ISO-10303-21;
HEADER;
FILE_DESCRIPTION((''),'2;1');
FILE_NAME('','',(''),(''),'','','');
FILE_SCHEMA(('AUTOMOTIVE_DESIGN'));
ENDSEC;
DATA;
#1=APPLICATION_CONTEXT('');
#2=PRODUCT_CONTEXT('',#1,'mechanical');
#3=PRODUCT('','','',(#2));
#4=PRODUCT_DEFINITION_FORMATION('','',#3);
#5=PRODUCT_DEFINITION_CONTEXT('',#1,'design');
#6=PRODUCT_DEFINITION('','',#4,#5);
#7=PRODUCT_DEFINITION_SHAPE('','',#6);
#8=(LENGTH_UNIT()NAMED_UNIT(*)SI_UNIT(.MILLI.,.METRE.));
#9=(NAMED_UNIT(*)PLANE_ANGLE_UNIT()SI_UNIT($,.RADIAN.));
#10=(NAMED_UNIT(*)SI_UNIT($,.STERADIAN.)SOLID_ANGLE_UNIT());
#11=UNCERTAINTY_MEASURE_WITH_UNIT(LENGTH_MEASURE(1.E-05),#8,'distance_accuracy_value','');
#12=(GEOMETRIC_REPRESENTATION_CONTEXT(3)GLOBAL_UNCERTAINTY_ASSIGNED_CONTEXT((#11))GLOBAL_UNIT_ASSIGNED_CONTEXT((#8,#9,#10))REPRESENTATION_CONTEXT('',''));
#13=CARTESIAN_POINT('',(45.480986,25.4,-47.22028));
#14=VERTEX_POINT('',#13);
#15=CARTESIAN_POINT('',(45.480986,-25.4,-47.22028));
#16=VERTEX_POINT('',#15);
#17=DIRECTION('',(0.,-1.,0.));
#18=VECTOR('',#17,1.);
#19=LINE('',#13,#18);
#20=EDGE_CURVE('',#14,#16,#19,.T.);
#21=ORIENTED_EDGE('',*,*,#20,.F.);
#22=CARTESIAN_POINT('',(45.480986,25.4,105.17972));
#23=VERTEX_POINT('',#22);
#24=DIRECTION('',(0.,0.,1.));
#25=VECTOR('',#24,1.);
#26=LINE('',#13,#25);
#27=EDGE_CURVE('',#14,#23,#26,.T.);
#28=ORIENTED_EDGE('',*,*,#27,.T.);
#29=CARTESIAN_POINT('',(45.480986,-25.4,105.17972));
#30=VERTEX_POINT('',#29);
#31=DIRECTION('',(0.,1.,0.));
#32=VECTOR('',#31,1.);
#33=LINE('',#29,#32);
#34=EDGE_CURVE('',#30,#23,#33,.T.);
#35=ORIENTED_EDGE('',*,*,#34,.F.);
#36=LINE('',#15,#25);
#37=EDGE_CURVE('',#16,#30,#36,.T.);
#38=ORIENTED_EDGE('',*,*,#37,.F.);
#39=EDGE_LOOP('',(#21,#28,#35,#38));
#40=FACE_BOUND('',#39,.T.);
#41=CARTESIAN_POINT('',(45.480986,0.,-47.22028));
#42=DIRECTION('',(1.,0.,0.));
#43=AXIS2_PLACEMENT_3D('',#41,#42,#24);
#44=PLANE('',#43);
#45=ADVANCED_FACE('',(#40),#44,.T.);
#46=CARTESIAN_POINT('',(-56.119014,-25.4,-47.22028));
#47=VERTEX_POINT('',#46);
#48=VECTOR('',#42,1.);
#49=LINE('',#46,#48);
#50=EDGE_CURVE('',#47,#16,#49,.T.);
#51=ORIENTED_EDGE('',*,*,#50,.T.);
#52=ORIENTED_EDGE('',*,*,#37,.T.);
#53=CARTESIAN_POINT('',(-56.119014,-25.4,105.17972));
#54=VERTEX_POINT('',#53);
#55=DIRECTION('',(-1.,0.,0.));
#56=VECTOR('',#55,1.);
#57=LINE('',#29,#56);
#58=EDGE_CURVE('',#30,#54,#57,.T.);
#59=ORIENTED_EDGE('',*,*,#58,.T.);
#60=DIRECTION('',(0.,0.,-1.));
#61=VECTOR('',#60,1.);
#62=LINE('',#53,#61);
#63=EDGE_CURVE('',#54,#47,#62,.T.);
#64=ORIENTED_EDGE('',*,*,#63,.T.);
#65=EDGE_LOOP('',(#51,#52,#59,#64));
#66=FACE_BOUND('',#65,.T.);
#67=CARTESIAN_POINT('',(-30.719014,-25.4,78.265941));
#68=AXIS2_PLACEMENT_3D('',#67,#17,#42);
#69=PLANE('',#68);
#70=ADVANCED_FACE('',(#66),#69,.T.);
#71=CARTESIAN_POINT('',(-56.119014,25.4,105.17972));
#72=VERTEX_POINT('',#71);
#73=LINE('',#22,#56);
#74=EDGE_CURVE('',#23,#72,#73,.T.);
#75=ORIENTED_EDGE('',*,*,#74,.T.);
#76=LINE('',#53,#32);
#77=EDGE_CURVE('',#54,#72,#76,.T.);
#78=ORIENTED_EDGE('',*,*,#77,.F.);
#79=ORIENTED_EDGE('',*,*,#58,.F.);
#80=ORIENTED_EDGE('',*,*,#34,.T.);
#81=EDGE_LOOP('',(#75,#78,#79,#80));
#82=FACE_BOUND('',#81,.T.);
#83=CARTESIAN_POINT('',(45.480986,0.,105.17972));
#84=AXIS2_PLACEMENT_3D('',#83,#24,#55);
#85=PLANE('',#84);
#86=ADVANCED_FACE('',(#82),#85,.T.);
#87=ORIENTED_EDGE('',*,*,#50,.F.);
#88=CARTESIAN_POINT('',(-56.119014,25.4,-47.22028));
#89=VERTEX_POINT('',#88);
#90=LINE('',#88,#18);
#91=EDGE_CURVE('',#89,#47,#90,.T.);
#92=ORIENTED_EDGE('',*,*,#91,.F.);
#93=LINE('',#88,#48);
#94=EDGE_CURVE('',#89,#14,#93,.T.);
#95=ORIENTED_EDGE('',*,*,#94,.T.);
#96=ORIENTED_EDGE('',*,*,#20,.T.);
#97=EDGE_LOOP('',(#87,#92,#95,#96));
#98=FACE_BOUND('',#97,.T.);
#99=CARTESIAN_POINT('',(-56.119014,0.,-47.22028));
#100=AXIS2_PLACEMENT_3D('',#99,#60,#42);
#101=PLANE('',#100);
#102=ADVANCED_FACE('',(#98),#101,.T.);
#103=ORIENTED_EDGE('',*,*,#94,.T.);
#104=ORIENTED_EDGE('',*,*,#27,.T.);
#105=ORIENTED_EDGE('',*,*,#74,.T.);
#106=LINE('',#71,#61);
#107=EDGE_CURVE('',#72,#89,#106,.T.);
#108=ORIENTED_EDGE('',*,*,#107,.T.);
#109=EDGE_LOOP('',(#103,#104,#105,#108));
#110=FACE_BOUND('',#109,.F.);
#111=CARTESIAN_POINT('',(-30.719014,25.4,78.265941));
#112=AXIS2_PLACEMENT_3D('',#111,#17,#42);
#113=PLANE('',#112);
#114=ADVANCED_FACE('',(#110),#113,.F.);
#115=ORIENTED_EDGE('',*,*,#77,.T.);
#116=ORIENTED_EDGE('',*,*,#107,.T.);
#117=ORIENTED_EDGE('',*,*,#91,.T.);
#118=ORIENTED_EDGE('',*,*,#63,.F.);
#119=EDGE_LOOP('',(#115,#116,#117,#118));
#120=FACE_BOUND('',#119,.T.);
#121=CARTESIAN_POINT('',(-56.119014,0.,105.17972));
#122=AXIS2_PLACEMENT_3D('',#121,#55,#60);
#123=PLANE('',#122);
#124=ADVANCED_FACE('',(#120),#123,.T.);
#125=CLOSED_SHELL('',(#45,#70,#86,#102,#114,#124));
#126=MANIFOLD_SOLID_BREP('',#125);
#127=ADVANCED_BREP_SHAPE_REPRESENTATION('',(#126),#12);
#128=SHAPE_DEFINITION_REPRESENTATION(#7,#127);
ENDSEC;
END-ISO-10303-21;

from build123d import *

# Parameters (mm, degrees)
F0_W     = 50.8
F0_H     = 53.8275577128
F0_H_2   = 51.3521619141
F0_H_3   = 47.2202803731
F2_DEPTH = 25.4


with BuildPart() as f2:
    # F0 (on Front) → F2 (new body, symmetric)
    with BuildSketch(Plane.XZ):
        with Locations((-30.7190135777, 78.2659407705)):
            Rectangle(F0_W, F0_H)
        with Locations((20.0809864223, 78.2659407705)):
            Rectangle(F0_W, F0_H)
        with Locations((-30.7190135777, 25.6760809571)):
            Rectangle(F0_W, F0_H_2)
        with Locations((20.0809864223, 25.6760809571)):
            Rectangle(F0_W, F0_H_2)
        with Locations((-30.7190135777, -23.6101401865)):
            Rectangle(F0_W, F0_H_3)
        with Locations((20.0809864223, -23.6101401865)):
            Rectangle(F0_W, F0_H_3)
    extrude(amount=F2_DEPTH, both=True)


solid = f2.part
